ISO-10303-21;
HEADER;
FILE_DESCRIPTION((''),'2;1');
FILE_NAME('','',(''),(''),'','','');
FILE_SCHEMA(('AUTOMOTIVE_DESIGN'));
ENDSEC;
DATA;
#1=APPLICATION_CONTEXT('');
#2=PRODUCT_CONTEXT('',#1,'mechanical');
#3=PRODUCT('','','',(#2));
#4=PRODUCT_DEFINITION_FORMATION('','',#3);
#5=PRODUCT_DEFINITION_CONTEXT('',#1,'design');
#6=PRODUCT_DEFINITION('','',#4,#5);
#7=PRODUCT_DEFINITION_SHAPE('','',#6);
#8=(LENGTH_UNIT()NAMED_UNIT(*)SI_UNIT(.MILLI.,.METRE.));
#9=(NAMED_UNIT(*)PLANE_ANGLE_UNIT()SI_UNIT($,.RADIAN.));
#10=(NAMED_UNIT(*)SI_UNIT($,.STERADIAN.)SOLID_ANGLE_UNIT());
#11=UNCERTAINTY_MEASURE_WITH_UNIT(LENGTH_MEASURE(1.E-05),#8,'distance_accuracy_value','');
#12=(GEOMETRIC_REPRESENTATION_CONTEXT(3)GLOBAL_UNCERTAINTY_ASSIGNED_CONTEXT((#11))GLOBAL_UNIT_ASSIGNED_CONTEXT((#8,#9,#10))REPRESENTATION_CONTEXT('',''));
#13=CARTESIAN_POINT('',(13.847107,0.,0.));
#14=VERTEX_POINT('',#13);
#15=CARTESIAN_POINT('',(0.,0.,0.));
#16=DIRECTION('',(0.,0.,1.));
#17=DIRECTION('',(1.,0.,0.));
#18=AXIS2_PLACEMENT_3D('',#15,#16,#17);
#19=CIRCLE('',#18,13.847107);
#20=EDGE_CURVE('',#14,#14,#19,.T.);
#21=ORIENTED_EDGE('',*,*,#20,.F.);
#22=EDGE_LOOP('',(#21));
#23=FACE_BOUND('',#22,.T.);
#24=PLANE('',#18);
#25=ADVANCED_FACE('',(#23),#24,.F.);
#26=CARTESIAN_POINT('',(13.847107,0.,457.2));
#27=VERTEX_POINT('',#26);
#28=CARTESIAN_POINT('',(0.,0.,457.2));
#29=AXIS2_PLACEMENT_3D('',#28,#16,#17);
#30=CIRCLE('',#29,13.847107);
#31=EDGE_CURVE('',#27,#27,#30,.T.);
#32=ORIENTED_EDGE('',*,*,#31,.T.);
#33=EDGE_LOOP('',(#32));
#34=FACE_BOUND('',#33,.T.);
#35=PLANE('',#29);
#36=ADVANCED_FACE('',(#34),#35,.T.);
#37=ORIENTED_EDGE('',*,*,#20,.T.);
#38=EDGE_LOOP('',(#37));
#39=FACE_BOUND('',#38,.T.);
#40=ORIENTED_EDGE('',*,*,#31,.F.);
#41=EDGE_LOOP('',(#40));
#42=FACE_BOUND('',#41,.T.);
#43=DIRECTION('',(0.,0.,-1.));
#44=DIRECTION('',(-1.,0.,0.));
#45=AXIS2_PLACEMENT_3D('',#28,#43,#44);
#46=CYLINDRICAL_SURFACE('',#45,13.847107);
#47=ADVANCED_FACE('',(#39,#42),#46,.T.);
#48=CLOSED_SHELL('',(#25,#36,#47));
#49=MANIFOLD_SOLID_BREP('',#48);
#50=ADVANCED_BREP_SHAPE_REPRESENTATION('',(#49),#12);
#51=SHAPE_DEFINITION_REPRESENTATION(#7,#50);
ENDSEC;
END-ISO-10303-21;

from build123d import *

# Parameters (mm, degrees)
SKETCH1_R           = 13.847107225
BOSS_EXTRUDE3_DEPTH = 457.2


with BuildPart() as part:
    # Sketch1 → Boss-Extrude3 (new body)
    with BuildSketch(Plane.XY):
        Circle(SKETCH1_R)
    extrude(amount=BOSS_EXTRUDE3_DEPTH)


solid = part.part
